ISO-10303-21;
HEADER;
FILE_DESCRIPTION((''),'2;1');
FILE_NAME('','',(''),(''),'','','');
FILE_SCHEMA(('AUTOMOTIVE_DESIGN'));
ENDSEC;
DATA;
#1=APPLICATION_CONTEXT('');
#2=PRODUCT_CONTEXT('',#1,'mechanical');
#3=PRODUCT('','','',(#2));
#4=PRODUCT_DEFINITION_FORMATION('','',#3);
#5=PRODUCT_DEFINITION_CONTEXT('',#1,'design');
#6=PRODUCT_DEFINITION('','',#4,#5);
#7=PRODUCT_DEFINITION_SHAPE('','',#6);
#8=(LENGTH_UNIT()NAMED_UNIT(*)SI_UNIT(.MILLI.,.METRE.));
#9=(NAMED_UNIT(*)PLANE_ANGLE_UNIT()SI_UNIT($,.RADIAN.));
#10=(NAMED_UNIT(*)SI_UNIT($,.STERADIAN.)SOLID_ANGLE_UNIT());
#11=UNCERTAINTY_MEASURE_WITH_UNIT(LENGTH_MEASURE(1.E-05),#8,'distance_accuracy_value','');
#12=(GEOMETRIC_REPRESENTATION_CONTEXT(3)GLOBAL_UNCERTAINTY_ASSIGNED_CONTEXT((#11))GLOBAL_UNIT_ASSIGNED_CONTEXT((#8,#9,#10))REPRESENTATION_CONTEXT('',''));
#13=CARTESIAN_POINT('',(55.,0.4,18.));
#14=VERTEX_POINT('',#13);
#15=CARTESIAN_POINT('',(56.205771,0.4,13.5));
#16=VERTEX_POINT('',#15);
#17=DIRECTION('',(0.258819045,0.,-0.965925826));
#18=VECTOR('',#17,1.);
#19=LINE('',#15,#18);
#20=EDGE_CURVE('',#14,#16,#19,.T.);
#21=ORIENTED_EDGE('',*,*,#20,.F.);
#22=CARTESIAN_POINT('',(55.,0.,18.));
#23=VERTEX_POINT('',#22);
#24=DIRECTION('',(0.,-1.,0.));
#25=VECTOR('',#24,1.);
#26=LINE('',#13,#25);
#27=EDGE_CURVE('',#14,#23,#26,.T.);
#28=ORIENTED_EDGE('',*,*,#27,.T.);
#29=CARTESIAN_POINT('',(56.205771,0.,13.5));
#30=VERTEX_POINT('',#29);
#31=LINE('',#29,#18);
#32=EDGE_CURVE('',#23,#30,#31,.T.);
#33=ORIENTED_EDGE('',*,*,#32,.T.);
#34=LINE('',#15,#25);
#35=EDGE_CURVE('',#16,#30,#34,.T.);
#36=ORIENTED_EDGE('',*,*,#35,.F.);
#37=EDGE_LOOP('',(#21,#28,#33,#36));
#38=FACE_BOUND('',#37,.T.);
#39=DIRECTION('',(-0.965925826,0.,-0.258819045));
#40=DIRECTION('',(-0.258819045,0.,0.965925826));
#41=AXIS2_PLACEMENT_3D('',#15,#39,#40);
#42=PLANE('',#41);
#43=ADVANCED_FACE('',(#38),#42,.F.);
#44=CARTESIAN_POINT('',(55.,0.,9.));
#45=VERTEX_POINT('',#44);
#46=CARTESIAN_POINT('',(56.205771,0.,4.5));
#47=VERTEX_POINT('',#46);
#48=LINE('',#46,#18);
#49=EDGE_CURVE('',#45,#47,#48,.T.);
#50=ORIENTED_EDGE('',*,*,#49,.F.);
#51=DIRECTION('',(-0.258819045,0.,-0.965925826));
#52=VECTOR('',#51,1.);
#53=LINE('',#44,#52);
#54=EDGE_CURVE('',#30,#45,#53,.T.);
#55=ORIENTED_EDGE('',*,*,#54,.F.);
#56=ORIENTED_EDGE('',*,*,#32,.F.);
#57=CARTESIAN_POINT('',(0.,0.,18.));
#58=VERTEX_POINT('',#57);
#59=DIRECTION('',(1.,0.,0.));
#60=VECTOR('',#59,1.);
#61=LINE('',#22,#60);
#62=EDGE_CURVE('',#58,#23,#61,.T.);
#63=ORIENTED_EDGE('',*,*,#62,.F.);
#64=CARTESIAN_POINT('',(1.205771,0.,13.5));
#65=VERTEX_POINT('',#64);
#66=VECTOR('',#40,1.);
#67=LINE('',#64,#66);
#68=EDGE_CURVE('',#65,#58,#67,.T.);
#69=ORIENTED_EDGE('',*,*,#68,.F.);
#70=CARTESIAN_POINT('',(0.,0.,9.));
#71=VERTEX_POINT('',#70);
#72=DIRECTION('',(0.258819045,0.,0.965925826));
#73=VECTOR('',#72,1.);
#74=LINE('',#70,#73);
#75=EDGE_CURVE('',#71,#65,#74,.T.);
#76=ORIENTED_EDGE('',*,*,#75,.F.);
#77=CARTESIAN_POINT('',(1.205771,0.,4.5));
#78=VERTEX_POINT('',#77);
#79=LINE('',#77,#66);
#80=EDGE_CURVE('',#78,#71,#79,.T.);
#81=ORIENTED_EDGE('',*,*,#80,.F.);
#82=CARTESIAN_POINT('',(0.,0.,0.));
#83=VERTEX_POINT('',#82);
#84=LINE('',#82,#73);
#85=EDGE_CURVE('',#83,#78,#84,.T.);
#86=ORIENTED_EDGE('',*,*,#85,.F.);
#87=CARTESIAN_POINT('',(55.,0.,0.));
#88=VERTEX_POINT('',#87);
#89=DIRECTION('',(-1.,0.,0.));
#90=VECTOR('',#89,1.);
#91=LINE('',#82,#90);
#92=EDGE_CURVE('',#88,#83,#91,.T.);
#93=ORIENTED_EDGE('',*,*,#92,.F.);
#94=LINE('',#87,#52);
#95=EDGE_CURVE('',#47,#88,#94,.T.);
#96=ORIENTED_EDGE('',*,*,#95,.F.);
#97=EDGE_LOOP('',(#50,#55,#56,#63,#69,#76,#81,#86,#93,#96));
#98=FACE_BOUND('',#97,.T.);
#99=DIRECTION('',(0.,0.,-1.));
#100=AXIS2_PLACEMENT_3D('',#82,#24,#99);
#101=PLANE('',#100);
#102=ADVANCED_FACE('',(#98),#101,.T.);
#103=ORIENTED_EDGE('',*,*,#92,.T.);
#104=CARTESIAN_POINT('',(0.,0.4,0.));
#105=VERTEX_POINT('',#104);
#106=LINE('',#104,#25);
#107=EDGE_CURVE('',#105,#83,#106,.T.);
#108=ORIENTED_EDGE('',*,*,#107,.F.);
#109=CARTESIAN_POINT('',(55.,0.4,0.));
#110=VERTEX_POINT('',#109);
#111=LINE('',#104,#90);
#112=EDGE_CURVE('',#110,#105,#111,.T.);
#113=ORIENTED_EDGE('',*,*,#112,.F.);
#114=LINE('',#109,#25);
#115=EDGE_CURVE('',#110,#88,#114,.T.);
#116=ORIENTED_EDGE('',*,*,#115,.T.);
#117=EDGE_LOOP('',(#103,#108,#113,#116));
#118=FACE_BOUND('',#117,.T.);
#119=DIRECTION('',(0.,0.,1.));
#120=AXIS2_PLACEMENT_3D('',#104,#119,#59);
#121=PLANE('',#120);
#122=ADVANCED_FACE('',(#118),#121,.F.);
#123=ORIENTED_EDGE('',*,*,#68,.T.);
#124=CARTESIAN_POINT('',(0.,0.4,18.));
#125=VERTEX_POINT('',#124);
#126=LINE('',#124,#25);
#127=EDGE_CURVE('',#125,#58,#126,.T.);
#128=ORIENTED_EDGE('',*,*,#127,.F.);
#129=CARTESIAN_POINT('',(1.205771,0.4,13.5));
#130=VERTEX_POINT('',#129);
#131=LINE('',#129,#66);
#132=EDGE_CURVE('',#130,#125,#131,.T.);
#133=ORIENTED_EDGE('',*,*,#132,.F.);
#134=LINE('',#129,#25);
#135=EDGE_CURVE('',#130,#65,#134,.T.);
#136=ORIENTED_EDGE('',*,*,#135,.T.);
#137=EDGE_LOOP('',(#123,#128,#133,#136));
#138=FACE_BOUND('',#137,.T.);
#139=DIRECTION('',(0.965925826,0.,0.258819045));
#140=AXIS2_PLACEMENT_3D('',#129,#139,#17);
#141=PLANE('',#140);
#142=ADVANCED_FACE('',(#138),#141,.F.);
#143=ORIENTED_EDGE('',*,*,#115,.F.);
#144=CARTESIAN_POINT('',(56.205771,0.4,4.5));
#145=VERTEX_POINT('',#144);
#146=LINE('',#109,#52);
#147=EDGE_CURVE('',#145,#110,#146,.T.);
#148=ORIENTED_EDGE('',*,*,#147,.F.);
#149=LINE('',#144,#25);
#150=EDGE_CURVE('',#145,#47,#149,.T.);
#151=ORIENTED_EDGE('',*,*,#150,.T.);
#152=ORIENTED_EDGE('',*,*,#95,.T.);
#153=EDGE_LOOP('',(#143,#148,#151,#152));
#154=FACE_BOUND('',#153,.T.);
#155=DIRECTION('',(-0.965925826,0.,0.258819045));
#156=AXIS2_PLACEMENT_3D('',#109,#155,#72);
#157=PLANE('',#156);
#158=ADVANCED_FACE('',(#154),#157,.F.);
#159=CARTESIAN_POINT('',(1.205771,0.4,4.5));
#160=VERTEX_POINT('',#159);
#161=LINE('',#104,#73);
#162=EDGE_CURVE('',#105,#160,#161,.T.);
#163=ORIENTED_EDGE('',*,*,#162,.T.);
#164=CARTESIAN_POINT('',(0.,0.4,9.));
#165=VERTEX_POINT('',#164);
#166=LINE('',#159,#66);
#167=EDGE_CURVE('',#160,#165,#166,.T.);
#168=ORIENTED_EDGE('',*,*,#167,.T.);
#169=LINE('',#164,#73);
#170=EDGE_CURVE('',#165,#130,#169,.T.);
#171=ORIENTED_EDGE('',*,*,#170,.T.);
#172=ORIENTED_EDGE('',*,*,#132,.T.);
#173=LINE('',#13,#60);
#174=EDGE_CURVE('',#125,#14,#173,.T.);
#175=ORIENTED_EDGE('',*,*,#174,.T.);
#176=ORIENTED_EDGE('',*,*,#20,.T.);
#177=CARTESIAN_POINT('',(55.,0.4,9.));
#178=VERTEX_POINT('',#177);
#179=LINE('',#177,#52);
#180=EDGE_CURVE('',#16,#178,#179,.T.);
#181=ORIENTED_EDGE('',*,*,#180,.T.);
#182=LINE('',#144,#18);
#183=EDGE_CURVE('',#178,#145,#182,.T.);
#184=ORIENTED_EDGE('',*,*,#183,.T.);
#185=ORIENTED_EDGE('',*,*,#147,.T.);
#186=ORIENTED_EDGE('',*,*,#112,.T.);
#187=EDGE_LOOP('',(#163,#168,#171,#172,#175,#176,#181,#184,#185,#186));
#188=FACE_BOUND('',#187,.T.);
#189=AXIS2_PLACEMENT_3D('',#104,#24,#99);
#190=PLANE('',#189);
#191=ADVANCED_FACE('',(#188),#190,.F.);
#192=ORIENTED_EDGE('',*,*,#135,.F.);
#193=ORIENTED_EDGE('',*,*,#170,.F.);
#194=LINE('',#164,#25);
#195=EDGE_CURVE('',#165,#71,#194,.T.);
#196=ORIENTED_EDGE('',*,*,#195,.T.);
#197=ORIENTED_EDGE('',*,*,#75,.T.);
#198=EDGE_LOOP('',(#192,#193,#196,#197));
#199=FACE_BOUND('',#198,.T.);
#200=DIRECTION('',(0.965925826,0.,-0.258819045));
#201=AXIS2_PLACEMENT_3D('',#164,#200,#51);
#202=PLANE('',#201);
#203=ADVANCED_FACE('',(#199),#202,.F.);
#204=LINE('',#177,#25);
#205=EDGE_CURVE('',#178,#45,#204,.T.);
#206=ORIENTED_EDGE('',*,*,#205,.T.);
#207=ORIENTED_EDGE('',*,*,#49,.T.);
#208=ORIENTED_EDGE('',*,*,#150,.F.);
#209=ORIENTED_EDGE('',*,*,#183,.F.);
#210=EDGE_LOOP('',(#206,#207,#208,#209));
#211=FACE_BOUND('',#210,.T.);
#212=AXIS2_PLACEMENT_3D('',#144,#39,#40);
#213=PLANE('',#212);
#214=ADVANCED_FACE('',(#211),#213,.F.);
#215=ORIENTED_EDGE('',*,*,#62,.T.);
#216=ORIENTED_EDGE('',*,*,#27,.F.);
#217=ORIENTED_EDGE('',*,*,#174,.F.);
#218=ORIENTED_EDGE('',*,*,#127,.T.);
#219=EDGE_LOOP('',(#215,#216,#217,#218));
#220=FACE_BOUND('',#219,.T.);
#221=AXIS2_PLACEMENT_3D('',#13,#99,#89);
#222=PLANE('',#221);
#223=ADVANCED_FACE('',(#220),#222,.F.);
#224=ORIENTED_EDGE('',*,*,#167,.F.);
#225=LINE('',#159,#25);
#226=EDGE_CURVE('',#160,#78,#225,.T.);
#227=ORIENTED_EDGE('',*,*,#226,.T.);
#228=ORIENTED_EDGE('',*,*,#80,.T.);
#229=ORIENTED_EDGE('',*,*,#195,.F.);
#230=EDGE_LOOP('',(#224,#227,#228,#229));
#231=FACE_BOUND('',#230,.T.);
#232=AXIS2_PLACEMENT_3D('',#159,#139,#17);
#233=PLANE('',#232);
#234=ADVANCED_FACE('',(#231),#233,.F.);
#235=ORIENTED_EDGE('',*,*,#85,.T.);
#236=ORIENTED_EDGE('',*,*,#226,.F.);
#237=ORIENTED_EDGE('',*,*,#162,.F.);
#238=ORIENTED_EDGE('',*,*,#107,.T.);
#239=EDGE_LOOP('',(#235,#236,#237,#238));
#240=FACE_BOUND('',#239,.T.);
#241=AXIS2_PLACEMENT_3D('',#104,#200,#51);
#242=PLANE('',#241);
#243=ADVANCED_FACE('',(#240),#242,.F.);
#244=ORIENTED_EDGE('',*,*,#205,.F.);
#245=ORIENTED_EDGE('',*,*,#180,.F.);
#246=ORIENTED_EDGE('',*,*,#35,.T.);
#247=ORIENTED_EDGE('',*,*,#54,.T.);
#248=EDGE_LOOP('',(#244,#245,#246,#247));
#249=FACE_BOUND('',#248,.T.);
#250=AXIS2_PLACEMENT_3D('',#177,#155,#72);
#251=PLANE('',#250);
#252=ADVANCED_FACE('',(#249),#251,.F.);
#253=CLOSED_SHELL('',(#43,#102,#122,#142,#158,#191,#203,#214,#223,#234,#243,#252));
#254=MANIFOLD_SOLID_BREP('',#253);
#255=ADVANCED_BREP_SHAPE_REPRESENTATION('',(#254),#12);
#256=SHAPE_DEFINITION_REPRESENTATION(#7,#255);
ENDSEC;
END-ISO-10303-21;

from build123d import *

# Parameters (mm, degrees)
BOSS_EXTRUDE1_DEPTH = 0.4


with BuildPart() as part:
    # Sketch1 → Boss-Extrude1 (new body)
    with BuildSketch(Plane(origin=(0, 0, 0), x_dir=(1, 0, 0), z_dir=(0, 1, 0))):
        Polygon((0, 0), (55, 0), (56.205771366, -4.5), (55, -9), (56.205771366, -13.5), (55, -18), (0, -18), (1.205771366, -13.5), (0, -9), (1.205771366, -4.5), align=None)
    extrude(amount=BOSS_EXTRUDE1_DEPTH)


solid = part.part
